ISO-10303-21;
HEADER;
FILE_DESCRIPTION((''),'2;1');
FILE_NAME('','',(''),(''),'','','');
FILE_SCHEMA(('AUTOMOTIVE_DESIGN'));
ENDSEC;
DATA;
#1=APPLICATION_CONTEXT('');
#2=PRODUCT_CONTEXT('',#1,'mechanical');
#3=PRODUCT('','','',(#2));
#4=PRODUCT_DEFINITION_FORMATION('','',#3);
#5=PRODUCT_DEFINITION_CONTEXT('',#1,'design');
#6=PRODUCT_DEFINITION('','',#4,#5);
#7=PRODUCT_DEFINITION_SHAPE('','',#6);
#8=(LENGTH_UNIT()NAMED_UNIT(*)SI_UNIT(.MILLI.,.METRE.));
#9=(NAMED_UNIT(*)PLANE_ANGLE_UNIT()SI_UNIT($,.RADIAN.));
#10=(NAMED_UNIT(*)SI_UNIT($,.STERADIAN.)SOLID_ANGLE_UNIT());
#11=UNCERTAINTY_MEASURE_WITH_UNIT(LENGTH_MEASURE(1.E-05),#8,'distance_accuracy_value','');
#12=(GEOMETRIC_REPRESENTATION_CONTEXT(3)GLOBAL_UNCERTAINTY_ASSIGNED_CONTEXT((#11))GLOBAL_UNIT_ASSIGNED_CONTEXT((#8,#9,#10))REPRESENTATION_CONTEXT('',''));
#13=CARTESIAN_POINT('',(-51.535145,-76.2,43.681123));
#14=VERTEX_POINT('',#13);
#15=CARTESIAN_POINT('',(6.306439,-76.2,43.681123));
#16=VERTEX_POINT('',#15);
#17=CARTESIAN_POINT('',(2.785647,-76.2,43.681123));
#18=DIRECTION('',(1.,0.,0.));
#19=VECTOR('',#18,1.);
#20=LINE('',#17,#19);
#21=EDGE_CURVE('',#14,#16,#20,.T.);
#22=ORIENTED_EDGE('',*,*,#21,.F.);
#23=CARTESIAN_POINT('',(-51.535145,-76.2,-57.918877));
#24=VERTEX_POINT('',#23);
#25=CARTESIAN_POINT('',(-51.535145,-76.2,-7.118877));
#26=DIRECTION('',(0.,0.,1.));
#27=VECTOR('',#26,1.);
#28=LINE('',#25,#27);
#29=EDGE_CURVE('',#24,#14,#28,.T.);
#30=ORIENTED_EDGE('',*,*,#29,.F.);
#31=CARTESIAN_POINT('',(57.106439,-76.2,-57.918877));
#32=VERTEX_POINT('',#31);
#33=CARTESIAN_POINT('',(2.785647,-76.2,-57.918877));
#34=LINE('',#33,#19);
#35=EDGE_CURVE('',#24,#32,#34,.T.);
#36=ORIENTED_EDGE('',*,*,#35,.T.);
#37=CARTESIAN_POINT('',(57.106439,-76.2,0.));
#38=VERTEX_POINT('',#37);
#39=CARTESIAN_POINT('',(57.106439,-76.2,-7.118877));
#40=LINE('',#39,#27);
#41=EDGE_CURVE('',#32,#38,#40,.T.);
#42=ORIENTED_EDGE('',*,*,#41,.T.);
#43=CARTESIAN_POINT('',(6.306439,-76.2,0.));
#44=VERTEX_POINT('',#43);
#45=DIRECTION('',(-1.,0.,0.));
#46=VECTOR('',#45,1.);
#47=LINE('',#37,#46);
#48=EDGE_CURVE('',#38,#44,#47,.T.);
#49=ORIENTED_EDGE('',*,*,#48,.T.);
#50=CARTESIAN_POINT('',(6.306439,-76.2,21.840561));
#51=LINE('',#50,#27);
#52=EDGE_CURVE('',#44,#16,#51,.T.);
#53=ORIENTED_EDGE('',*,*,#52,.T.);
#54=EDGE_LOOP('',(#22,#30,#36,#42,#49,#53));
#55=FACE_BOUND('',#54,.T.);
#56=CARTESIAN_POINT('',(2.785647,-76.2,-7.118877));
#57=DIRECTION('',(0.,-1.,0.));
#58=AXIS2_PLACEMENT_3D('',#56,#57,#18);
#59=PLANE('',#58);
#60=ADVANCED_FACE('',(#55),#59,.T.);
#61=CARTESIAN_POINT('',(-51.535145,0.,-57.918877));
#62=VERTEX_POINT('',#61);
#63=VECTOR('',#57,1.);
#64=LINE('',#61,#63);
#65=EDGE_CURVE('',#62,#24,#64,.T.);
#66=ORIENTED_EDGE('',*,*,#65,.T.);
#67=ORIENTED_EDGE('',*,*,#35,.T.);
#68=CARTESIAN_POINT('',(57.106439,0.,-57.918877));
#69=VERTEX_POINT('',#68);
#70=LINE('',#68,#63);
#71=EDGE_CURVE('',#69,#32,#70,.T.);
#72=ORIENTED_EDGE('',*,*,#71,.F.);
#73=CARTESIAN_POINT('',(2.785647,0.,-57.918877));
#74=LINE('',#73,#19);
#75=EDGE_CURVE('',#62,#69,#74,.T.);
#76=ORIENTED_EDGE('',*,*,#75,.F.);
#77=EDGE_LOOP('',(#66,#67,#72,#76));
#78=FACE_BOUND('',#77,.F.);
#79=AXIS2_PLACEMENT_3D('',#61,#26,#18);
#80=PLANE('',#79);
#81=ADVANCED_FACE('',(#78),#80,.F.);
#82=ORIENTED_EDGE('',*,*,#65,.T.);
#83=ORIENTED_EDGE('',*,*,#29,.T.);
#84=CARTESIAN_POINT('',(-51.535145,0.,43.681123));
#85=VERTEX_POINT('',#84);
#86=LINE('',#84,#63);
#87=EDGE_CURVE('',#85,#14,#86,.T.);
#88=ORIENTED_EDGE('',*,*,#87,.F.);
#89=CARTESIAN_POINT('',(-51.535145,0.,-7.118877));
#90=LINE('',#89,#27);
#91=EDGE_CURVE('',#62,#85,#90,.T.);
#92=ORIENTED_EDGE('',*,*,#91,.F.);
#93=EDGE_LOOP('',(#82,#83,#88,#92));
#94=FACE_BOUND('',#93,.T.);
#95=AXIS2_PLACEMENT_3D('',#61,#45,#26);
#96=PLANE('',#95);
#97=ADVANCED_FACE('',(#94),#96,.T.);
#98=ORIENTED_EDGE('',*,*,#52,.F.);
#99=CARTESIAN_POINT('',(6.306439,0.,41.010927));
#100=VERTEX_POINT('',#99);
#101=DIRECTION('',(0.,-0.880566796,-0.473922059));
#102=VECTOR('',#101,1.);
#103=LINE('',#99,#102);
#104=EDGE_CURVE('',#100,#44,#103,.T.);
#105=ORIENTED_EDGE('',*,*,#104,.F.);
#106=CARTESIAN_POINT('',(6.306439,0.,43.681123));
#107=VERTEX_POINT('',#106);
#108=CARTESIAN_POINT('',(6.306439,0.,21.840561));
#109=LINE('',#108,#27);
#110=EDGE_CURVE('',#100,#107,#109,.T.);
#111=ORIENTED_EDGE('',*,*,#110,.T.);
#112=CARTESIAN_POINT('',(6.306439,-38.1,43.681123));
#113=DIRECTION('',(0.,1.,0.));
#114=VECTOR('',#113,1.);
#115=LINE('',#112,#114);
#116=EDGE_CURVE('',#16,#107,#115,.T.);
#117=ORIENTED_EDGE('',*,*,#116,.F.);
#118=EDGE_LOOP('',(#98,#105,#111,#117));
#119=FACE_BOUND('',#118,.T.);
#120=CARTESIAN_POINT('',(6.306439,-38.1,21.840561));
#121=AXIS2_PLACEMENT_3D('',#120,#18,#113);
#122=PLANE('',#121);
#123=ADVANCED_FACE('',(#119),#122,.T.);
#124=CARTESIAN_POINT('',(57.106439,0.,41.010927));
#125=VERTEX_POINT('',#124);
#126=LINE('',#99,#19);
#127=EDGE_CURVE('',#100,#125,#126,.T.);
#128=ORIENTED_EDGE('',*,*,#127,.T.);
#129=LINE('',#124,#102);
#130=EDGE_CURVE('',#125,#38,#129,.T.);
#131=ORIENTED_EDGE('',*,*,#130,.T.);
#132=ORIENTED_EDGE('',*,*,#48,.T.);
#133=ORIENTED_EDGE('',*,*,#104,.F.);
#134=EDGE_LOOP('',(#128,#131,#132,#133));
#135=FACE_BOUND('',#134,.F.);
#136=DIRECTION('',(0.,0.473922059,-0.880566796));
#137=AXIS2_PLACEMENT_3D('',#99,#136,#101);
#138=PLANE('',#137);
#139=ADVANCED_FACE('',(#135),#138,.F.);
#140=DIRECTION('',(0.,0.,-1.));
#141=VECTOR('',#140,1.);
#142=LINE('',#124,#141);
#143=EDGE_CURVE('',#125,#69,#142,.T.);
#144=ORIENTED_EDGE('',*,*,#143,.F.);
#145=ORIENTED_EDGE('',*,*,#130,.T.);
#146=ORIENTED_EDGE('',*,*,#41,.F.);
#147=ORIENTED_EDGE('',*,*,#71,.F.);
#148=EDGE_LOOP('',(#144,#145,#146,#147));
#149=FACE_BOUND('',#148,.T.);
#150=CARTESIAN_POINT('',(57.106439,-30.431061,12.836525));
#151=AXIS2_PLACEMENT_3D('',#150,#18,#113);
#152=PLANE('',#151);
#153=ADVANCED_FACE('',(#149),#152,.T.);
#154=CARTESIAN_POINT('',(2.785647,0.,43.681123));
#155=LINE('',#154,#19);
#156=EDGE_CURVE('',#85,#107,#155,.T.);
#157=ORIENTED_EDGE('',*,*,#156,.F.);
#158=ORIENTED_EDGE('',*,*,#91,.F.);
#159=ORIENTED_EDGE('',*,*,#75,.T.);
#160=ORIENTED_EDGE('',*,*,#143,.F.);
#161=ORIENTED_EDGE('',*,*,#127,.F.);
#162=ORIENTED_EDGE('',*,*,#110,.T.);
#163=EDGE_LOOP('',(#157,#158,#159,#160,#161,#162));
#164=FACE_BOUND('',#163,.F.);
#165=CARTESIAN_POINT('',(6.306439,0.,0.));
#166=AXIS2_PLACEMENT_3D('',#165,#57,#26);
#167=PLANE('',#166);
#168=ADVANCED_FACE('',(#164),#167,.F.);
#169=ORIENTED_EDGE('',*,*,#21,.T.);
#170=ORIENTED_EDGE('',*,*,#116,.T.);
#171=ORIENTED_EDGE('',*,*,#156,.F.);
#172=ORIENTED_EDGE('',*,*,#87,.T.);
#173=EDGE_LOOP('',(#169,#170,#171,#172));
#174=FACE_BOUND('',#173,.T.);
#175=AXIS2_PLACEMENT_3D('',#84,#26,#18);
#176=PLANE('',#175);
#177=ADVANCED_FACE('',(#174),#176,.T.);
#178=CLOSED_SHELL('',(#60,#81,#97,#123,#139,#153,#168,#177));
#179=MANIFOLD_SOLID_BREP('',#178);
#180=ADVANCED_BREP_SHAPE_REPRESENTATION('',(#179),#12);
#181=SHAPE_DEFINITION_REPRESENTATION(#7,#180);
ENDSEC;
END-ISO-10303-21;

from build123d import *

# Parameters (mm, degrees)
F0_W     = 108.6415843582
F0_H     = 101.6
F1_DEPTH = 76.2
F2_W     = 76.2
F2_H     = 43.6811229765
F3_DEPTH = 50.8
F5_DEPTH = 50.8


with BuildPart() as f1:
    # F0 (on Front) → F1 (new body)
    with BuildSketch(Plane.XZ):
        with Locations((2.785647288, -7.1188770235)):
            Rectangle(F0_W, F0_H)
    extrude(amount=F1_DEPTH)

    # F2 (on face) → F3 (cut)
    with BuildSketch(Plane.YZ.offset(57.1064394671)):
        with Locations((-38.1, 21.8405614883)):
            Rectangle(F2_W, F2_H)
    extrude(amount=-F3_DEPTH, mode=Mode.SUBTRACT)

    # F4 (on face) → F5 (join)
    with BuildSketch(Plane.YZ.offset(6.3064394671)):
        Polygon((0, 0), (0, 41.0109274089), (-76.2, 0), align=None)
    extrude(amount=F5_DEPTH)


solid = f1.part
